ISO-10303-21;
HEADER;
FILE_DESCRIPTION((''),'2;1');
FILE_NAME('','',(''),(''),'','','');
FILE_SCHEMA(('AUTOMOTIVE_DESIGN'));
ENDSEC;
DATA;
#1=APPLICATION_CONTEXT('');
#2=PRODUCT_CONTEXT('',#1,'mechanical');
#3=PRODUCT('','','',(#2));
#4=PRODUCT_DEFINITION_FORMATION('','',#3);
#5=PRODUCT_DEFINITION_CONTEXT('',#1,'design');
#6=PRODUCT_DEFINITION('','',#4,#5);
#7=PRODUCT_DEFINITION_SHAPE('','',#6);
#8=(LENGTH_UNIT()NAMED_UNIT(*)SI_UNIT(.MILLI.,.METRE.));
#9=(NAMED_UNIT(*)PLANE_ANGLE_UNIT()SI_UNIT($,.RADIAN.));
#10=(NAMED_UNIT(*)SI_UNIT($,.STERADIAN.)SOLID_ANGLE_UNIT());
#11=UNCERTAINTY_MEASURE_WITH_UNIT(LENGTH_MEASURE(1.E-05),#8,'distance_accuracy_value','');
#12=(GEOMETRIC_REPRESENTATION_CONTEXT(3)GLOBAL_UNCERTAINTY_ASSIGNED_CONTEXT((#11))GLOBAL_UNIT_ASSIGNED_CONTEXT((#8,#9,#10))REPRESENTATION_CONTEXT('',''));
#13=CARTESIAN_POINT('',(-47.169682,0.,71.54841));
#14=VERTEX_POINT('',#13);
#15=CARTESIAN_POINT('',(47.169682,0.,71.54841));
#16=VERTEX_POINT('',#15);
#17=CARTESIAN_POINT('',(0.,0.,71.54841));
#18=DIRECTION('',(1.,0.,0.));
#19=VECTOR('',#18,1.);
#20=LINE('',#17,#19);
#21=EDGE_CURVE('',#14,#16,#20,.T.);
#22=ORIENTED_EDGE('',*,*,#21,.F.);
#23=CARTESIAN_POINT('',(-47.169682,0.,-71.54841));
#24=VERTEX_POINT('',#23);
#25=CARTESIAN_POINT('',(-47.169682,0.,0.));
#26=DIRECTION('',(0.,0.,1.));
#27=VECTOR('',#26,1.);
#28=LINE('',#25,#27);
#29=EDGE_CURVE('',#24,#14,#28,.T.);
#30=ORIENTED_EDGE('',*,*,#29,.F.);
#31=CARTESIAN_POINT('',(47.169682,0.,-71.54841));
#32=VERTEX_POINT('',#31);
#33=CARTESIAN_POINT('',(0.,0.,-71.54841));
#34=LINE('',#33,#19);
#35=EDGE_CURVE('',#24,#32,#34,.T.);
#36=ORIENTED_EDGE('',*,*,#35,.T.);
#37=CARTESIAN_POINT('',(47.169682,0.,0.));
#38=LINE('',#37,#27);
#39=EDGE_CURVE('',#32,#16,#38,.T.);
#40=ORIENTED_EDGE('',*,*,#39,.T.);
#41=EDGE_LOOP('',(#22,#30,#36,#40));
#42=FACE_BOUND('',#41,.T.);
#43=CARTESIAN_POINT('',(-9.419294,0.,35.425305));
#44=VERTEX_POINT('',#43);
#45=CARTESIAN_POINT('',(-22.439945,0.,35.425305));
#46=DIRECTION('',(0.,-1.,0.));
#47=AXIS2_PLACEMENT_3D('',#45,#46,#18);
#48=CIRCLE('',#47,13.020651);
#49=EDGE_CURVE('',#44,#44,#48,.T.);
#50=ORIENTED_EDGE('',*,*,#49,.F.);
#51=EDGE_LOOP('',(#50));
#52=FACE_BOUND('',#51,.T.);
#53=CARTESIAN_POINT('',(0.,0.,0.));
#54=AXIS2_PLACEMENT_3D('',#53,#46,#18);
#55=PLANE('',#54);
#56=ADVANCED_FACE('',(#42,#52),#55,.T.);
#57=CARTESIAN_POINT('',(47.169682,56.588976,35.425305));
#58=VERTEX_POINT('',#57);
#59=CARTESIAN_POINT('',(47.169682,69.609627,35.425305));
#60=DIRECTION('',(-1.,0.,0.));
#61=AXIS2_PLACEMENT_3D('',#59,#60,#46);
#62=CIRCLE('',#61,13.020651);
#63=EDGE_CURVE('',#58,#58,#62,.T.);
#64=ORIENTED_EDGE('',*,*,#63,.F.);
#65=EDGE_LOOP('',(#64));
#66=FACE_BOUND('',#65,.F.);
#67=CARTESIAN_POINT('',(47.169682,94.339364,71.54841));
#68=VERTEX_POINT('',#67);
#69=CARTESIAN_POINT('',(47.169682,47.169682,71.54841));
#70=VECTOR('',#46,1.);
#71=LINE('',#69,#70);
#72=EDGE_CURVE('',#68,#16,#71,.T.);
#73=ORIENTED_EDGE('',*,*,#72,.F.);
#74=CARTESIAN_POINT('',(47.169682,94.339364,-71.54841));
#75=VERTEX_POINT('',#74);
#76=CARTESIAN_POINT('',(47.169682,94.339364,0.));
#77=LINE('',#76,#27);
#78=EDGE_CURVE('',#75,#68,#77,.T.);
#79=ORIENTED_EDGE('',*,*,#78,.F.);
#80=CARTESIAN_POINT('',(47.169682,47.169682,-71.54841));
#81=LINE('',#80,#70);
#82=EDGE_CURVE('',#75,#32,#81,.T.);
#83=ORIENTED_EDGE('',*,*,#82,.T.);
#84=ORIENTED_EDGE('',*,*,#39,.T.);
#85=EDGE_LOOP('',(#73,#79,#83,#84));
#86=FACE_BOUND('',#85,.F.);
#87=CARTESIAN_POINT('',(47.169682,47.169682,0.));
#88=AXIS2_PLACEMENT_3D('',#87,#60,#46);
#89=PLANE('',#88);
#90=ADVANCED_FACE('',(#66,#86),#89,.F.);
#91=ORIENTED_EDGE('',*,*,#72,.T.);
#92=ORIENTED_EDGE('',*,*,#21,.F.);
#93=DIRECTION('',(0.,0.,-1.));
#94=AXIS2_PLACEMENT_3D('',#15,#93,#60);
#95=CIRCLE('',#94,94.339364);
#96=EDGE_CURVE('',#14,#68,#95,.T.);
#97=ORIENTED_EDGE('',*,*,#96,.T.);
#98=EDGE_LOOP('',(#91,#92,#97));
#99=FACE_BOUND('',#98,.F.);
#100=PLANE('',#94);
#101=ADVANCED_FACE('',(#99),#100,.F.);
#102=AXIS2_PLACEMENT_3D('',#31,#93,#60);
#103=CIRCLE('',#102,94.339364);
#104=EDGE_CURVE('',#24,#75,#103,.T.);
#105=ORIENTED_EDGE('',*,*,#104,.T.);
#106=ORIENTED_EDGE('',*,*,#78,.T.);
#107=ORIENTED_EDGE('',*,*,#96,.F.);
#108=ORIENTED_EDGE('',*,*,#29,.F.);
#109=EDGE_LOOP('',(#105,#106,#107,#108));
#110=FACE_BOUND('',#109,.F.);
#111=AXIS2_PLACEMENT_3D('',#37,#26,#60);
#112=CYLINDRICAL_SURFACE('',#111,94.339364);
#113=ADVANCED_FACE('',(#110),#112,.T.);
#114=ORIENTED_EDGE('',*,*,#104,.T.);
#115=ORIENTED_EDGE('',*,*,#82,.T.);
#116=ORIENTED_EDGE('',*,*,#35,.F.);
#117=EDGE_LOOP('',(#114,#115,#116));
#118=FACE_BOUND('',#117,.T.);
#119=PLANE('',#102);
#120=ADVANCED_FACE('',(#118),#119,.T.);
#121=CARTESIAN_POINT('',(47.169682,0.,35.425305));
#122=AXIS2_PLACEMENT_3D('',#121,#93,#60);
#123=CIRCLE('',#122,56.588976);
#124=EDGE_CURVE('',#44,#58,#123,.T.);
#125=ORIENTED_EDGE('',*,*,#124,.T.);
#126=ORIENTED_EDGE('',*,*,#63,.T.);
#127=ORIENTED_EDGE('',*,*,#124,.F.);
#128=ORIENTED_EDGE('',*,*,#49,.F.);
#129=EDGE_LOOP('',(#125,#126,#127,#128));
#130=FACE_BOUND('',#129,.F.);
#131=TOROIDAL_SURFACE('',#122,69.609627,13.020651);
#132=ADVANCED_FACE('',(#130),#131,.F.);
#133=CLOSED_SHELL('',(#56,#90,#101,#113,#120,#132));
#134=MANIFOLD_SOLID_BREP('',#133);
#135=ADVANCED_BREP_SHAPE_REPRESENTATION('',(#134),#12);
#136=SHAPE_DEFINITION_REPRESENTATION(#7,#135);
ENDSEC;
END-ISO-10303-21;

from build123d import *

# Parameters (mm, degrees)
F0_W     = 94.339364
F0_H     = 143.09682
F0_R     = 13.020651
F1_ANGLE = 90


with BuildPart() as f1:
    # F0 (on Front) → F1 (revolve)
    with BuildSketch(Plane.XZ):
        Rectangle(F0_W, F0_H)
        with Locations((-22.439945, 35.425305)):
            Circle(F0_R, mode=Mode.SUBTRACT)
    revolve(axis=Axis((47.169682, 0, 0), (0, 0, -1)), revolution_arc=F1_ANGLE)


solid = f1.part
